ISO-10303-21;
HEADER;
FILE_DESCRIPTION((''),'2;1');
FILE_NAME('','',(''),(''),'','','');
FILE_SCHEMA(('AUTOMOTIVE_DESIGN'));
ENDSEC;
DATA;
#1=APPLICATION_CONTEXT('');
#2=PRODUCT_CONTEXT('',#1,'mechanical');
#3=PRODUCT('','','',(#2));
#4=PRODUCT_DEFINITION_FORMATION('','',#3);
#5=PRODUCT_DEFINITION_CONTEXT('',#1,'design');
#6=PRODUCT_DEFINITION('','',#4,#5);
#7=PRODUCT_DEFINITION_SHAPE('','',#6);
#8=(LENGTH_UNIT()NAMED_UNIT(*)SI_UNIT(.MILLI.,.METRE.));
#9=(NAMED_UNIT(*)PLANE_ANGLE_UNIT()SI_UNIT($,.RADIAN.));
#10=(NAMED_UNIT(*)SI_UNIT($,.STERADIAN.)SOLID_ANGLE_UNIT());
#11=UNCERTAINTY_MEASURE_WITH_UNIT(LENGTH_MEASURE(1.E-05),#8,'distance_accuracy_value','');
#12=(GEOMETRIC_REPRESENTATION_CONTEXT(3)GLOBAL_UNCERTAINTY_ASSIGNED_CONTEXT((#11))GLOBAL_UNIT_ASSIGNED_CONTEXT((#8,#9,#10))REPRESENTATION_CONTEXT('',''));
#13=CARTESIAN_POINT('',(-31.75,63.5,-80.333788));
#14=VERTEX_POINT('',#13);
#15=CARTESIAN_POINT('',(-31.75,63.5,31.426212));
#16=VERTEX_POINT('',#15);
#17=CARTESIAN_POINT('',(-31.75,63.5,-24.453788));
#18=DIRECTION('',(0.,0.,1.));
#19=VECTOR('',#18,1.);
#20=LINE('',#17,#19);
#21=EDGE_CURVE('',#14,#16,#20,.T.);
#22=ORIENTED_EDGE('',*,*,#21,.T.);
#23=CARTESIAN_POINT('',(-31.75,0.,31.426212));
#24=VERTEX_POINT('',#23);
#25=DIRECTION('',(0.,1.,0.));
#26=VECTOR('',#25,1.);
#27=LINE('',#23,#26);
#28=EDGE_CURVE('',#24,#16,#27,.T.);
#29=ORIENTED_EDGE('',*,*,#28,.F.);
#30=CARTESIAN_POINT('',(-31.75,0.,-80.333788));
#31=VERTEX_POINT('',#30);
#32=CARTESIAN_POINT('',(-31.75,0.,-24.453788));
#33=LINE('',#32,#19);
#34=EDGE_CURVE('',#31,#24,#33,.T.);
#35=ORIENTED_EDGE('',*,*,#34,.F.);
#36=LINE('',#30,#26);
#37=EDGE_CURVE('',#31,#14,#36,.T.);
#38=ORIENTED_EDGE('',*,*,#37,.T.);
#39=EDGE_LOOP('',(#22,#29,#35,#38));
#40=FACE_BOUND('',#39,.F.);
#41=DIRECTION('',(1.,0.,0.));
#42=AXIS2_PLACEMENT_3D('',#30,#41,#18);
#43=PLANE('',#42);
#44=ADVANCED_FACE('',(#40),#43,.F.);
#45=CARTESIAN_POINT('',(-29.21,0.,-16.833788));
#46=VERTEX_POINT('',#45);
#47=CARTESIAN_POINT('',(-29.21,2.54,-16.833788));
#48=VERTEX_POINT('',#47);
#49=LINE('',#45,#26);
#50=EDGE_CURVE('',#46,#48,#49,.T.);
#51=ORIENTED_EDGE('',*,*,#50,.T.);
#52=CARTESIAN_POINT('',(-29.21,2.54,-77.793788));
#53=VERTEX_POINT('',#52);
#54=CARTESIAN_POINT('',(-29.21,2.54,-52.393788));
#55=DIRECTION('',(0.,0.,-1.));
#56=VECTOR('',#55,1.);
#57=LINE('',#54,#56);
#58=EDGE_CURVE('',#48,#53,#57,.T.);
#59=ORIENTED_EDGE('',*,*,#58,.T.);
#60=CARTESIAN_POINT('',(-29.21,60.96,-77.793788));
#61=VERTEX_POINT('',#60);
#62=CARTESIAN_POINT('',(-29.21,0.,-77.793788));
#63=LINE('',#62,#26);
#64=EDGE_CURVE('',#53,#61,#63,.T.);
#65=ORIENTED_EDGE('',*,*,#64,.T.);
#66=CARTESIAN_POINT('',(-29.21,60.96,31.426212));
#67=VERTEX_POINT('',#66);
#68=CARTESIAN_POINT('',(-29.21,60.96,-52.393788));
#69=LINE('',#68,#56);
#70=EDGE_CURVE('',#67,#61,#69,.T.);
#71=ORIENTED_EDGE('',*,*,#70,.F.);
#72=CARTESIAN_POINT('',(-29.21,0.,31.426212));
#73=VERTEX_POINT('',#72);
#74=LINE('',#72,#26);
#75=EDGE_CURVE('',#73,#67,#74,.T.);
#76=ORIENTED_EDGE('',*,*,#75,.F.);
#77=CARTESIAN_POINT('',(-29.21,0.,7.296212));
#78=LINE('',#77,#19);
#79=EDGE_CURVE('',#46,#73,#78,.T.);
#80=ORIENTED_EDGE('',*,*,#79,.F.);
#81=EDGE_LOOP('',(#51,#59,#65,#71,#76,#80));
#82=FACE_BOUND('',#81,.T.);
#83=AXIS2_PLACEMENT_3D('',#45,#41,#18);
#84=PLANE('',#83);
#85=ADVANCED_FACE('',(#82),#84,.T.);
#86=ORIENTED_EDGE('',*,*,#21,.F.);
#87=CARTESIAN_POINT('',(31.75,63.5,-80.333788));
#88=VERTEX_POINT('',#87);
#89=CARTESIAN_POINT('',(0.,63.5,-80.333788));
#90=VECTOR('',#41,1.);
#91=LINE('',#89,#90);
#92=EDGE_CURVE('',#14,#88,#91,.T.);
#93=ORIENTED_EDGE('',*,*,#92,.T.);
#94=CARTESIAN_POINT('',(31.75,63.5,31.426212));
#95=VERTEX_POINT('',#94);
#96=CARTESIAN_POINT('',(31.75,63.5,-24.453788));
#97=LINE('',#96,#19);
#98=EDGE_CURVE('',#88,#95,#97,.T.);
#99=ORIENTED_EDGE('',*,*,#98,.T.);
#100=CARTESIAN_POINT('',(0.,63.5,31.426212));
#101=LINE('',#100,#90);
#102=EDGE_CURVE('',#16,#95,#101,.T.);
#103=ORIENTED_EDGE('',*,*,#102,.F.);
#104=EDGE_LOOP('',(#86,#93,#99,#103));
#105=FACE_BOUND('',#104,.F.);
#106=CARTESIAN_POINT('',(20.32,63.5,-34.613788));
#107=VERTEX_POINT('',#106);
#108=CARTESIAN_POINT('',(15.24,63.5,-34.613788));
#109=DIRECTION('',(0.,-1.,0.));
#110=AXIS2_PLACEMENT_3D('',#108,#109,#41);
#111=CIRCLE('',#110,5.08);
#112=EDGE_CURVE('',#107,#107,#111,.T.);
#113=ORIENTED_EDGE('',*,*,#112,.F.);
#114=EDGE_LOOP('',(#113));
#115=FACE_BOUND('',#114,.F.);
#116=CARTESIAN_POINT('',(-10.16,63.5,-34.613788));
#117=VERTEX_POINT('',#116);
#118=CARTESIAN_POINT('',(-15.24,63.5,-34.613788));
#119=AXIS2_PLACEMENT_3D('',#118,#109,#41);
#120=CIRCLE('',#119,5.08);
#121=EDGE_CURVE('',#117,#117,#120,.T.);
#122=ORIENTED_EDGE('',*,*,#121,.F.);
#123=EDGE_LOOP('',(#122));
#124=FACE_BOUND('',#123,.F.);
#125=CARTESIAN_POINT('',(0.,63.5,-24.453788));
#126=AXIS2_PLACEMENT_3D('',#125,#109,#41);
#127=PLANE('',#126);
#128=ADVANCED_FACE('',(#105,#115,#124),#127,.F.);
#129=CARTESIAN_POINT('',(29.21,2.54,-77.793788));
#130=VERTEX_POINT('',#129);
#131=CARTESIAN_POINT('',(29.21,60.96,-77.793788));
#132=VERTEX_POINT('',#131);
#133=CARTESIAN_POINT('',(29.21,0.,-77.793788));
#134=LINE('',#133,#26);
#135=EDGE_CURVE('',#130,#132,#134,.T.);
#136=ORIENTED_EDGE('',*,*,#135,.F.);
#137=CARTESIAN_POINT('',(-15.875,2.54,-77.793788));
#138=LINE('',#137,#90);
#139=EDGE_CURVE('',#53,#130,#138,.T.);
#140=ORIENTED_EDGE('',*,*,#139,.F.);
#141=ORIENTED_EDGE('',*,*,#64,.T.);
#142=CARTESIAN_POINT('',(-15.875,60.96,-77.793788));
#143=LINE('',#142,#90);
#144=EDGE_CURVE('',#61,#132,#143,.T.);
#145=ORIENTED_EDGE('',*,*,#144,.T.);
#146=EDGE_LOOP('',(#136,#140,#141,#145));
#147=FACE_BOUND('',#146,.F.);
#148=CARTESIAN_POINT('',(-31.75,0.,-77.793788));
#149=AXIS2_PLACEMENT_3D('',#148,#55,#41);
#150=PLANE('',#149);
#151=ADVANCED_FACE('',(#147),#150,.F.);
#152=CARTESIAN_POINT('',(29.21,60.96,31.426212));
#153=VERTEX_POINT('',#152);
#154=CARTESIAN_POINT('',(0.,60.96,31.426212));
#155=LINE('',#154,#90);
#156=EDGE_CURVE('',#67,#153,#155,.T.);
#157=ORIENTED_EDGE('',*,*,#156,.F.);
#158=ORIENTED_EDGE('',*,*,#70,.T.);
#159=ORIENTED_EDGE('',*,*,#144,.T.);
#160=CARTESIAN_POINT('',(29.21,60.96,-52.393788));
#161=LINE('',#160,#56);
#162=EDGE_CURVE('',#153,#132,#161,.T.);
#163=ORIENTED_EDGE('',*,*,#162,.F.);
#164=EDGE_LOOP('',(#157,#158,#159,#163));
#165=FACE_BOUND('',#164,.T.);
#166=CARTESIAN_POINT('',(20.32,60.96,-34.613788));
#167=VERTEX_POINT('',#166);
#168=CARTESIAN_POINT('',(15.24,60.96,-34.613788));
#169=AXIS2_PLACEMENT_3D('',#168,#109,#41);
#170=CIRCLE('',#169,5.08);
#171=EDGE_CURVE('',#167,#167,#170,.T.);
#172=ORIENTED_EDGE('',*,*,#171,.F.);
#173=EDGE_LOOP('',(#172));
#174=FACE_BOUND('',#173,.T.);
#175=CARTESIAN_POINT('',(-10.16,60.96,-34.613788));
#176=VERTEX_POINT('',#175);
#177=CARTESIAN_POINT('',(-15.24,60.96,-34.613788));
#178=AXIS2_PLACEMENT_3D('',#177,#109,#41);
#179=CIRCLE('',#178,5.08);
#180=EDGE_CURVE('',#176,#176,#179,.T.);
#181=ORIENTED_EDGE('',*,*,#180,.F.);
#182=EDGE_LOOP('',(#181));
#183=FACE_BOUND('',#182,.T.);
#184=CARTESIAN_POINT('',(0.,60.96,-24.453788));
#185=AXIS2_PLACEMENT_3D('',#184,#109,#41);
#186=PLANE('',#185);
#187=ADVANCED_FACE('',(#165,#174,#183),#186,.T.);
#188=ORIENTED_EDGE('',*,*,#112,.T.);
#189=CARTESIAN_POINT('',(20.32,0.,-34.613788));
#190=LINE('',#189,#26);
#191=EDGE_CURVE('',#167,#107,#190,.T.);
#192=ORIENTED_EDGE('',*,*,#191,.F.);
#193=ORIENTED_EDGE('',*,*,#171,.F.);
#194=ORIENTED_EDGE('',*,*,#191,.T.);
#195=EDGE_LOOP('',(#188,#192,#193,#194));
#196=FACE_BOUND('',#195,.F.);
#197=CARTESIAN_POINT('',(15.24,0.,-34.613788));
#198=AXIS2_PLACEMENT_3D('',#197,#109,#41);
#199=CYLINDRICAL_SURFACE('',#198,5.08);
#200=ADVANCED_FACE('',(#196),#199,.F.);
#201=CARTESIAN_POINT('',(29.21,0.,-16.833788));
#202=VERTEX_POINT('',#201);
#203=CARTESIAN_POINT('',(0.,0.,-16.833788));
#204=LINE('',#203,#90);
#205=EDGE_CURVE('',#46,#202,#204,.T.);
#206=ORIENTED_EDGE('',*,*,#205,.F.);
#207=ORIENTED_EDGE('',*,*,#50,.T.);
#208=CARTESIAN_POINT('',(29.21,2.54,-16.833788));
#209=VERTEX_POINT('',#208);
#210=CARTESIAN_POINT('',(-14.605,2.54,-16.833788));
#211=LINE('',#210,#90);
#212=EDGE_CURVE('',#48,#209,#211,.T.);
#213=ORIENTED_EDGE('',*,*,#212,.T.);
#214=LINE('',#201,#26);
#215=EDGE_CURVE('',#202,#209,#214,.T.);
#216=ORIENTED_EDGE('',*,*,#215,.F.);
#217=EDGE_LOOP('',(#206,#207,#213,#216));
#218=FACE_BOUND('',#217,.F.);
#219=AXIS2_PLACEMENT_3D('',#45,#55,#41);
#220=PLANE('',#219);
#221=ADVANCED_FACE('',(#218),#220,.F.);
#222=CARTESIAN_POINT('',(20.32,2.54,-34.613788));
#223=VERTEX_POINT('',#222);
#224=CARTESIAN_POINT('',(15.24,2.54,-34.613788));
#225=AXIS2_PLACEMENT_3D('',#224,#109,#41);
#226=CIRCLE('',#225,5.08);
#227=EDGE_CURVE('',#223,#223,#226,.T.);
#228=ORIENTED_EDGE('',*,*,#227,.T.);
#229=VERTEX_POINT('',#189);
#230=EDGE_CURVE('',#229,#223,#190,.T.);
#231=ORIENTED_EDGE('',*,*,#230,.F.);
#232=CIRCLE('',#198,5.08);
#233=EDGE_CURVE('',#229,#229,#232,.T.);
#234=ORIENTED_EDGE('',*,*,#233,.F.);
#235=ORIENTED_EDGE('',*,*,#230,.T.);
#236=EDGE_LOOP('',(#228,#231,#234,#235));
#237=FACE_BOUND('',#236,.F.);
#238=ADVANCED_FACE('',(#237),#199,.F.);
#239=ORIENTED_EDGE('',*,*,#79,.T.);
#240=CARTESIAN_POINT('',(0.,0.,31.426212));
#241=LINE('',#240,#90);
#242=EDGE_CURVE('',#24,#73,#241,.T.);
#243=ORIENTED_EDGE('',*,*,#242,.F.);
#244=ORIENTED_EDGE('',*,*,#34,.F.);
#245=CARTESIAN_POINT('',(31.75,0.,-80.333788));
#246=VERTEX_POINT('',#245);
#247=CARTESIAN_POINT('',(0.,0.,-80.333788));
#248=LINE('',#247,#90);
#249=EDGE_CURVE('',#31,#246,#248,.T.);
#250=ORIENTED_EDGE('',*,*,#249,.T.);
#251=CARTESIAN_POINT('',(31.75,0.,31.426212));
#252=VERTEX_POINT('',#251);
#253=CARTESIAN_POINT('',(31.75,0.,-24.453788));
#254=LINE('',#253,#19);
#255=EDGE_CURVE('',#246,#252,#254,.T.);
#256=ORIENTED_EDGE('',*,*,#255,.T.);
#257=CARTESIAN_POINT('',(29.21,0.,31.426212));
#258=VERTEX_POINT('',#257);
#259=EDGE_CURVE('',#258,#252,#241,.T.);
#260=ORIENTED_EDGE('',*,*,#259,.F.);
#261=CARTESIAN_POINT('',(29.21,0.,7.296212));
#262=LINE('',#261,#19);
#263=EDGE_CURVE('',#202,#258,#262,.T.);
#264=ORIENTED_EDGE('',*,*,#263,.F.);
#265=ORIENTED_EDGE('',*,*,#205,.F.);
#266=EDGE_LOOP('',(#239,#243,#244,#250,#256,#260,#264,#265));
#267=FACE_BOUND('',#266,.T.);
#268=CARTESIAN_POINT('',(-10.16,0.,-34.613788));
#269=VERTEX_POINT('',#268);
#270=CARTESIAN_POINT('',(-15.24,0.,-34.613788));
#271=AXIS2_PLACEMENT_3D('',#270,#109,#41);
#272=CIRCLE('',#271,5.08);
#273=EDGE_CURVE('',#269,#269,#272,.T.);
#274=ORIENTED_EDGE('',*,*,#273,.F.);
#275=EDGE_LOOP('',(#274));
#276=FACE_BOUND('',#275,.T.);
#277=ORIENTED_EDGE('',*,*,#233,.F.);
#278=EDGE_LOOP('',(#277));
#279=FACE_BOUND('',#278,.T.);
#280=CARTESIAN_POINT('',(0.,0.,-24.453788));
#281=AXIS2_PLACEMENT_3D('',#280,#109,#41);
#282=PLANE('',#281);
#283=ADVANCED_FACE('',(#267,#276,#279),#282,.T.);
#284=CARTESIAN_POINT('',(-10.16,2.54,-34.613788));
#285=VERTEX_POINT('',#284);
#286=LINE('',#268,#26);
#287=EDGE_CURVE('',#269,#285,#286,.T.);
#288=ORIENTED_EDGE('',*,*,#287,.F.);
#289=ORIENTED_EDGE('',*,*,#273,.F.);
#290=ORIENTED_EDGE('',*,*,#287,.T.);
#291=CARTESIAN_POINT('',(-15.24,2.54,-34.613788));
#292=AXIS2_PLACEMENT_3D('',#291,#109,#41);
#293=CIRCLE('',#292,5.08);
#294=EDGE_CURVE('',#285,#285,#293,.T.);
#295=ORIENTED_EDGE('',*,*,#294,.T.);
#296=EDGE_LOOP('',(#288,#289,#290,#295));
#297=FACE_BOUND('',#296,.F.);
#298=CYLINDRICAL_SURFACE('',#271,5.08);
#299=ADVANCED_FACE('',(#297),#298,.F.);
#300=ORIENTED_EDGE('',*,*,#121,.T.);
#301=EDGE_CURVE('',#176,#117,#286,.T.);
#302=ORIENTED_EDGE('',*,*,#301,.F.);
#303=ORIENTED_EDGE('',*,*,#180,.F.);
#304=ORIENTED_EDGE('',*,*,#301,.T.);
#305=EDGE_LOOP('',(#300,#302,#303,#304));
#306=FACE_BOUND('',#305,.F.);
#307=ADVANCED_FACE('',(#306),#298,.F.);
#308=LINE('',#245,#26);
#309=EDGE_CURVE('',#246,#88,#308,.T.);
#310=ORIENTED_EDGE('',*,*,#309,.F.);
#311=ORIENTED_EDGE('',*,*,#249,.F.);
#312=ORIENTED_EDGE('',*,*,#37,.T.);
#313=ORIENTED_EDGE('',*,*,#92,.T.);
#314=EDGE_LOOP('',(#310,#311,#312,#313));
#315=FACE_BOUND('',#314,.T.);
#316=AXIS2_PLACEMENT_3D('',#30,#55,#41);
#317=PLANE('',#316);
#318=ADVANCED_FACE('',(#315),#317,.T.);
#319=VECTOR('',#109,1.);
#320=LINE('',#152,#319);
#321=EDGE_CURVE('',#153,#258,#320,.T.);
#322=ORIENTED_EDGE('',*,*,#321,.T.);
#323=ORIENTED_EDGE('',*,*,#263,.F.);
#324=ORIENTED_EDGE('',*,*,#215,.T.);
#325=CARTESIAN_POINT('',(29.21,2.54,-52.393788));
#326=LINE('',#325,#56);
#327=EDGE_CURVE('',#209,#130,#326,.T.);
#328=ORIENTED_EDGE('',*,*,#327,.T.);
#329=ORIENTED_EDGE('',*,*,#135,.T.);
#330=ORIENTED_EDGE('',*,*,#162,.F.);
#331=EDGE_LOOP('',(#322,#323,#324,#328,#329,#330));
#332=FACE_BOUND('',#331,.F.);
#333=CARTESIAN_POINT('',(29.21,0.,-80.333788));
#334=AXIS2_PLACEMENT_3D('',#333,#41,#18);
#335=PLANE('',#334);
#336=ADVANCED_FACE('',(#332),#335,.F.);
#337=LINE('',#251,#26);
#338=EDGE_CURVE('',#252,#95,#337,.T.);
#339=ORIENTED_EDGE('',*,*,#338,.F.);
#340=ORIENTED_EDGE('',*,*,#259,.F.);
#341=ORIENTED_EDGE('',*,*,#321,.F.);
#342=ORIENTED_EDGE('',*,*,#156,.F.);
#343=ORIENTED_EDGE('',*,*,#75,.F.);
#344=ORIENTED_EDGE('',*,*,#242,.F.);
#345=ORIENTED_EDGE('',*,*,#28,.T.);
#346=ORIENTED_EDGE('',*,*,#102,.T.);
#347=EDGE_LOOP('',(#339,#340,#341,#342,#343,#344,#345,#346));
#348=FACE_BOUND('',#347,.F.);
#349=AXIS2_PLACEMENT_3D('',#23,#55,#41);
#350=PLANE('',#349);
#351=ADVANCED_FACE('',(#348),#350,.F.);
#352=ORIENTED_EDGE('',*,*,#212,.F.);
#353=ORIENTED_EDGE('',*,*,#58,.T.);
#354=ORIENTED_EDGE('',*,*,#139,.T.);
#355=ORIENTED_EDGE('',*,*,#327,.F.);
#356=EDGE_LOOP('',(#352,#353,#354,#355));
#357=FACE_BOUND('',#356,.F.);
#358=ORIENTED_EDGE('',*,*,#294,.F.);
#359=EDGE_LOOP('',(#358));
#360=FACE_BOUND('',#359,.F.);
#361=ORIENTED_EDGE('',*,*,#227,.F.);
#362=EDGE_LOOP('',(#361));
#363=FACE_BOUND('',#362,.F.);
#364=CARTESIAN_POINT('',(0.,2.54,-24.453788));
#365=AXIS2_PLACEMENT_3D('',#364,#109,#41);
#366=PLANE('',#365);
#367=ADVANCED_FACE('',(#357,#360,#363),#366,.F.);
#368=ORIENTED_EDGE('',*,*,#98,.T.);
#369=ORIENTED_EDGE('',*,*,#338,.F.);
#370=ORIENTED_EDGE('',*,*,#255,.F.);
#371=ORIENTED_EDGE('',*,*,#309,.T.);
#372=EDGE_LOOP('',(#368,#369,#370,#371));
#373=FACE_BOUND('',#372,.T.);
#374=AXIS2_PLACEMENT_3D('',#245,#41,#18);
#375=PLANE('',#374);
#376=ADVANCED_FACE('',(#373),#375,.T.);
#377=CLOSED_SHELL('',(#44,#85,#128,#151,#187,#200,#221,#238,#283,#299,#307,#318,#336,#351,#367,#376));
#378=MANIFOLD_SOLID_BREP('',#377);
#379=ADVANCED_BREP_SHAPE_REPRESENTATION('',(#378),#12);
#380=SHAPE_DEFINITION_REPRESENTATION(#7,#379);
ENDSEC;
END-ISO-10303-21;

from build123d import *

# Parameters (mm, degrees)
F0_W     = 63.5
F0_H     = 111.76
F1_DEPTH = 63.5
F3_T     = -2.54
F2_W     = 58.42
F2_H     = 48.26
F4_DEPTH = 25.4
F5_R     = 5.08
F6_DEPTH = 254


with BuildPart() as f1:
    # F0 (on Front) → F1 (new body)
    with BuildSketch(Plane.XZ):
        with Locations((0, -24.453788)):
            Rectangle(F0_W, F0_H)
    extrude(amount=-F1_DEPTH)

    # F3
    f3_openings = [f1.faces().sort_by_distance(p)[0] for p in [
        (0, 31.75, 31.426212),
    ]]
    offset(amount=F3_T, openings=f3_openings)

    # F2 (on face) → F4 (cut)
    with BuildSketch(Plane.XZ):
        with Locations((0, 7.296212)):
            Rectangle(F2_W, F2_H)
    extrude(amount=-F4_DEPTH, mode=Mode.SUBTRACT)

    # F5 (on face) → F6 (cut)
    with BuildSketch(Plane.XZ):
        with Locations((-15.24, -34.613788)):
            Circle(F5_R)
        with Locations((15.24, -34.613788)):
            Circle(F5_R)
    extrude(amount=-F6_DEPTH, mode=Mode.SUBTRACT)


solid = f1.part
